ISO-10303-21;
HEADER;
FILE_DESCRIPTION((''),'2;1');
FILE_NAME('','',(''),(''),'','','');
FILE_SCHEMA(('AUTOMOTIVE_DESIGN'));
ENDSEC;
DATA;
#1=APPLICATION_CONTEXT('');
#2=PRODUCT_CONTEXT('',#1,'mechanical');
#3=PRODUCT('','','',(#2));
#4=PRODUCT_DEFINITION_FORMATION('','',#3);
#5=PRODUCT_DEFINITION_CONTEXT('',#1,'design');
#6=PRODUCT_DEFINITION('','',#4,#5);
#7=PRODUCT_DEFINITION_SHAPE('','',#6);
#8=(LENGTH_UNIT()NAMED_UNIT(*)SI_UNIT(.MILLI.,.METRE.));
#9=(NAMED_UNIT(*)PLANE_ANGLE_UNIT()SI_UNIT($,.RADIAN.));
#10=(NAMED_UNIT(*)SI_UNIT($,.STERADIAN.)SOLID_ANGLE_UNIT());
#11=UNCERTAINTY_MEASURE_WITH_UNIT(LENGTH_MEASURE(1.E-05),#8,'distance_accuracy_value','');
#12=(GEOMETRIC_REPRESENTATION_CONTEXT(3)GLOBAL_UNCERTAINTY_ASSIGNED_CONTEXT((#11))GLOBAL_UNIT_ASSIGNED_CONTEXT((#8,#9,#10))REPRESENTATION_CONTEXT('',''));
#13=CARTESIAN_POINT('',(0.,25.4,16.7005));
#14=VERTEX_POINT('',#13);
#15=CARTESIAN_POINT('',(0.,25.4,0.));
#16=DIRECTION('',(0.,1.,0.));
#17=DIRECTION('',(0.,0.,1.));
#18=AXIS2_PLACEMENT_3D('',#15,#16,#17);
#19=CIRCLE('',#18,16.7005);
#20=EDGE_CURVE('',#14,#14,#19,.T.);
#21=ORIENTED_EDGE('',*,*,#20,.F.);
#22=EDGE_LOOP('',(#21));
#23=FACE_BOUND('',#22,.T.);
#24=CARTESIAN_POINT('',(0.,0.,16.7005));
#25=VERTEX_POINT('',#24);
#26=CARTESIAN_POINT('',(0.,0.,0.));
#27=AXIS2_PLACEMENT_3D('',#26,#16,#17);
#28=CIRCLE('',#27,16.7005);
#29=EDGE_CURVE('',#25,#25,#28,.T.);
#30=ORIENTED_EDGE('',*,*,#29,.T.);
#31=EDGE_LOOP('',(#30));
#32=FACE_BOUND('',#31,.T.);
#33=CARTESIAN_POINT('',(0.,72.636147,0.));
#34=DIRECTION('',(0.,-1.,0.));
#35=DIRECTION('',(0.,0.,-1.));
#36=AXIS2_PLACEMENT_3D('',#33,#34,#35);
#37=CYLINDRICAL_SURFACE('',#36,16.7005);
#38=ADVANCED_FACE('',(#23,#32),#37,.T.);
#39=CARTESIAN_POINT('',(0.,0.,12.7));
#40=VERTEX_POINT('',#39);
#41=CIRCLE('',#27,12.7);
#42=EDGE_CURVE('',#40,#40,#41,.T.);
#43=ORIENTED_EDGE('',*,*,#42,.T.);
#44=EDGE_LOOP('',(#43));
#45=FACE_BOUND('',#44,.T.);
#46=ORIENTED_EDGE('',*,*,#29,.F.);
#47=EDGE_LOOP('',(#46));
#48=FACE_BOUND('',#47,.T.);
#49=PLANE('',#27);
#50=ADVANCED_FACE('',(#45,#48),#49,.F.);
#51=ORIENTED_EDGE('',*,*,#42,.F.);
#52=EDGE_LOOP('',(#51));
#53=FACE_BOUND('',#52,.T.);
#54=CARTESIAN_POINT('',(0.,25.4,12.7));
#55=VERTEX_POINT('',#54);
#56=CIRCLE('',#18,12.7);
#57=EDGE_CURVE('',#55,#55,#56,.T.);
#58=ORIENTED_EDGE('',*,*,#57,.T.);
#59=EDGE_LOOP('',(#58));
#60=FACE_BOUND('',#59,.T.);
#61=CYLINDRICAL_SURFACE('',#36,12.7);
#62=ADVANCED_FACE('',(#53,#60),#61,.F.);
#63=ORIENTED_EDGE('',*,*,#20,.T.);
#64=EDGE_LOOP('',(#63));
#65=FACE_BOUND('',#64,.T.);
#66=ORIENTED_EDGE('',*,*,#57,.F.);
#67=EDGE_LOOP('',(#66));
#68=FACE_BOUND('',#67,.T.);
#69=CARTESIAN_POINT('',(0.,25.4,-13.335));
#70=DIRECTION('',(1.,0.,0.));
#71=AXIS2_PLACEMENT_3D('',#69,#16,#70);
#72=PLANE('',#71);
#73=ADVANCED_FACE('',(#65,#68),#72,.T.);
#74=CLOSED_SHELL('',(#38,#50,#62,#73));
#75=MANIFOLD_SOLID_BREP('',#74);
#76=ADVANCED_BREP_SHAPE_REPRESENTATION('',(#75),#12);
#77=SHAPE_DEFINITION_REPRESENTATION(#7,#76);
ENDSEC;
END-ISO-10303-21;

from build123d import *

# Parameters (mm, degrees)
SKETCH1_R           = 16.7005
SKETCH1_R_2         = 12.7
BOSS_EXTRUDE1_DEPTH = 25.4


with BuildPart() as part:
    # Sketch1 → Boss-Extrude1 (new body)
    with BuildSketch(Plane(origin=(0, 0, 0), x_dir=(1, 0, 0), z_dir=(0, 1, 0))):
        Circle(SKETCH1_R)
        Circle(SKETCH1_R_2, mode=Mode.SUBTRACT)
    extrude(amount=BOSS_EXTRUDE1_DEPTH)


solid = part.part
